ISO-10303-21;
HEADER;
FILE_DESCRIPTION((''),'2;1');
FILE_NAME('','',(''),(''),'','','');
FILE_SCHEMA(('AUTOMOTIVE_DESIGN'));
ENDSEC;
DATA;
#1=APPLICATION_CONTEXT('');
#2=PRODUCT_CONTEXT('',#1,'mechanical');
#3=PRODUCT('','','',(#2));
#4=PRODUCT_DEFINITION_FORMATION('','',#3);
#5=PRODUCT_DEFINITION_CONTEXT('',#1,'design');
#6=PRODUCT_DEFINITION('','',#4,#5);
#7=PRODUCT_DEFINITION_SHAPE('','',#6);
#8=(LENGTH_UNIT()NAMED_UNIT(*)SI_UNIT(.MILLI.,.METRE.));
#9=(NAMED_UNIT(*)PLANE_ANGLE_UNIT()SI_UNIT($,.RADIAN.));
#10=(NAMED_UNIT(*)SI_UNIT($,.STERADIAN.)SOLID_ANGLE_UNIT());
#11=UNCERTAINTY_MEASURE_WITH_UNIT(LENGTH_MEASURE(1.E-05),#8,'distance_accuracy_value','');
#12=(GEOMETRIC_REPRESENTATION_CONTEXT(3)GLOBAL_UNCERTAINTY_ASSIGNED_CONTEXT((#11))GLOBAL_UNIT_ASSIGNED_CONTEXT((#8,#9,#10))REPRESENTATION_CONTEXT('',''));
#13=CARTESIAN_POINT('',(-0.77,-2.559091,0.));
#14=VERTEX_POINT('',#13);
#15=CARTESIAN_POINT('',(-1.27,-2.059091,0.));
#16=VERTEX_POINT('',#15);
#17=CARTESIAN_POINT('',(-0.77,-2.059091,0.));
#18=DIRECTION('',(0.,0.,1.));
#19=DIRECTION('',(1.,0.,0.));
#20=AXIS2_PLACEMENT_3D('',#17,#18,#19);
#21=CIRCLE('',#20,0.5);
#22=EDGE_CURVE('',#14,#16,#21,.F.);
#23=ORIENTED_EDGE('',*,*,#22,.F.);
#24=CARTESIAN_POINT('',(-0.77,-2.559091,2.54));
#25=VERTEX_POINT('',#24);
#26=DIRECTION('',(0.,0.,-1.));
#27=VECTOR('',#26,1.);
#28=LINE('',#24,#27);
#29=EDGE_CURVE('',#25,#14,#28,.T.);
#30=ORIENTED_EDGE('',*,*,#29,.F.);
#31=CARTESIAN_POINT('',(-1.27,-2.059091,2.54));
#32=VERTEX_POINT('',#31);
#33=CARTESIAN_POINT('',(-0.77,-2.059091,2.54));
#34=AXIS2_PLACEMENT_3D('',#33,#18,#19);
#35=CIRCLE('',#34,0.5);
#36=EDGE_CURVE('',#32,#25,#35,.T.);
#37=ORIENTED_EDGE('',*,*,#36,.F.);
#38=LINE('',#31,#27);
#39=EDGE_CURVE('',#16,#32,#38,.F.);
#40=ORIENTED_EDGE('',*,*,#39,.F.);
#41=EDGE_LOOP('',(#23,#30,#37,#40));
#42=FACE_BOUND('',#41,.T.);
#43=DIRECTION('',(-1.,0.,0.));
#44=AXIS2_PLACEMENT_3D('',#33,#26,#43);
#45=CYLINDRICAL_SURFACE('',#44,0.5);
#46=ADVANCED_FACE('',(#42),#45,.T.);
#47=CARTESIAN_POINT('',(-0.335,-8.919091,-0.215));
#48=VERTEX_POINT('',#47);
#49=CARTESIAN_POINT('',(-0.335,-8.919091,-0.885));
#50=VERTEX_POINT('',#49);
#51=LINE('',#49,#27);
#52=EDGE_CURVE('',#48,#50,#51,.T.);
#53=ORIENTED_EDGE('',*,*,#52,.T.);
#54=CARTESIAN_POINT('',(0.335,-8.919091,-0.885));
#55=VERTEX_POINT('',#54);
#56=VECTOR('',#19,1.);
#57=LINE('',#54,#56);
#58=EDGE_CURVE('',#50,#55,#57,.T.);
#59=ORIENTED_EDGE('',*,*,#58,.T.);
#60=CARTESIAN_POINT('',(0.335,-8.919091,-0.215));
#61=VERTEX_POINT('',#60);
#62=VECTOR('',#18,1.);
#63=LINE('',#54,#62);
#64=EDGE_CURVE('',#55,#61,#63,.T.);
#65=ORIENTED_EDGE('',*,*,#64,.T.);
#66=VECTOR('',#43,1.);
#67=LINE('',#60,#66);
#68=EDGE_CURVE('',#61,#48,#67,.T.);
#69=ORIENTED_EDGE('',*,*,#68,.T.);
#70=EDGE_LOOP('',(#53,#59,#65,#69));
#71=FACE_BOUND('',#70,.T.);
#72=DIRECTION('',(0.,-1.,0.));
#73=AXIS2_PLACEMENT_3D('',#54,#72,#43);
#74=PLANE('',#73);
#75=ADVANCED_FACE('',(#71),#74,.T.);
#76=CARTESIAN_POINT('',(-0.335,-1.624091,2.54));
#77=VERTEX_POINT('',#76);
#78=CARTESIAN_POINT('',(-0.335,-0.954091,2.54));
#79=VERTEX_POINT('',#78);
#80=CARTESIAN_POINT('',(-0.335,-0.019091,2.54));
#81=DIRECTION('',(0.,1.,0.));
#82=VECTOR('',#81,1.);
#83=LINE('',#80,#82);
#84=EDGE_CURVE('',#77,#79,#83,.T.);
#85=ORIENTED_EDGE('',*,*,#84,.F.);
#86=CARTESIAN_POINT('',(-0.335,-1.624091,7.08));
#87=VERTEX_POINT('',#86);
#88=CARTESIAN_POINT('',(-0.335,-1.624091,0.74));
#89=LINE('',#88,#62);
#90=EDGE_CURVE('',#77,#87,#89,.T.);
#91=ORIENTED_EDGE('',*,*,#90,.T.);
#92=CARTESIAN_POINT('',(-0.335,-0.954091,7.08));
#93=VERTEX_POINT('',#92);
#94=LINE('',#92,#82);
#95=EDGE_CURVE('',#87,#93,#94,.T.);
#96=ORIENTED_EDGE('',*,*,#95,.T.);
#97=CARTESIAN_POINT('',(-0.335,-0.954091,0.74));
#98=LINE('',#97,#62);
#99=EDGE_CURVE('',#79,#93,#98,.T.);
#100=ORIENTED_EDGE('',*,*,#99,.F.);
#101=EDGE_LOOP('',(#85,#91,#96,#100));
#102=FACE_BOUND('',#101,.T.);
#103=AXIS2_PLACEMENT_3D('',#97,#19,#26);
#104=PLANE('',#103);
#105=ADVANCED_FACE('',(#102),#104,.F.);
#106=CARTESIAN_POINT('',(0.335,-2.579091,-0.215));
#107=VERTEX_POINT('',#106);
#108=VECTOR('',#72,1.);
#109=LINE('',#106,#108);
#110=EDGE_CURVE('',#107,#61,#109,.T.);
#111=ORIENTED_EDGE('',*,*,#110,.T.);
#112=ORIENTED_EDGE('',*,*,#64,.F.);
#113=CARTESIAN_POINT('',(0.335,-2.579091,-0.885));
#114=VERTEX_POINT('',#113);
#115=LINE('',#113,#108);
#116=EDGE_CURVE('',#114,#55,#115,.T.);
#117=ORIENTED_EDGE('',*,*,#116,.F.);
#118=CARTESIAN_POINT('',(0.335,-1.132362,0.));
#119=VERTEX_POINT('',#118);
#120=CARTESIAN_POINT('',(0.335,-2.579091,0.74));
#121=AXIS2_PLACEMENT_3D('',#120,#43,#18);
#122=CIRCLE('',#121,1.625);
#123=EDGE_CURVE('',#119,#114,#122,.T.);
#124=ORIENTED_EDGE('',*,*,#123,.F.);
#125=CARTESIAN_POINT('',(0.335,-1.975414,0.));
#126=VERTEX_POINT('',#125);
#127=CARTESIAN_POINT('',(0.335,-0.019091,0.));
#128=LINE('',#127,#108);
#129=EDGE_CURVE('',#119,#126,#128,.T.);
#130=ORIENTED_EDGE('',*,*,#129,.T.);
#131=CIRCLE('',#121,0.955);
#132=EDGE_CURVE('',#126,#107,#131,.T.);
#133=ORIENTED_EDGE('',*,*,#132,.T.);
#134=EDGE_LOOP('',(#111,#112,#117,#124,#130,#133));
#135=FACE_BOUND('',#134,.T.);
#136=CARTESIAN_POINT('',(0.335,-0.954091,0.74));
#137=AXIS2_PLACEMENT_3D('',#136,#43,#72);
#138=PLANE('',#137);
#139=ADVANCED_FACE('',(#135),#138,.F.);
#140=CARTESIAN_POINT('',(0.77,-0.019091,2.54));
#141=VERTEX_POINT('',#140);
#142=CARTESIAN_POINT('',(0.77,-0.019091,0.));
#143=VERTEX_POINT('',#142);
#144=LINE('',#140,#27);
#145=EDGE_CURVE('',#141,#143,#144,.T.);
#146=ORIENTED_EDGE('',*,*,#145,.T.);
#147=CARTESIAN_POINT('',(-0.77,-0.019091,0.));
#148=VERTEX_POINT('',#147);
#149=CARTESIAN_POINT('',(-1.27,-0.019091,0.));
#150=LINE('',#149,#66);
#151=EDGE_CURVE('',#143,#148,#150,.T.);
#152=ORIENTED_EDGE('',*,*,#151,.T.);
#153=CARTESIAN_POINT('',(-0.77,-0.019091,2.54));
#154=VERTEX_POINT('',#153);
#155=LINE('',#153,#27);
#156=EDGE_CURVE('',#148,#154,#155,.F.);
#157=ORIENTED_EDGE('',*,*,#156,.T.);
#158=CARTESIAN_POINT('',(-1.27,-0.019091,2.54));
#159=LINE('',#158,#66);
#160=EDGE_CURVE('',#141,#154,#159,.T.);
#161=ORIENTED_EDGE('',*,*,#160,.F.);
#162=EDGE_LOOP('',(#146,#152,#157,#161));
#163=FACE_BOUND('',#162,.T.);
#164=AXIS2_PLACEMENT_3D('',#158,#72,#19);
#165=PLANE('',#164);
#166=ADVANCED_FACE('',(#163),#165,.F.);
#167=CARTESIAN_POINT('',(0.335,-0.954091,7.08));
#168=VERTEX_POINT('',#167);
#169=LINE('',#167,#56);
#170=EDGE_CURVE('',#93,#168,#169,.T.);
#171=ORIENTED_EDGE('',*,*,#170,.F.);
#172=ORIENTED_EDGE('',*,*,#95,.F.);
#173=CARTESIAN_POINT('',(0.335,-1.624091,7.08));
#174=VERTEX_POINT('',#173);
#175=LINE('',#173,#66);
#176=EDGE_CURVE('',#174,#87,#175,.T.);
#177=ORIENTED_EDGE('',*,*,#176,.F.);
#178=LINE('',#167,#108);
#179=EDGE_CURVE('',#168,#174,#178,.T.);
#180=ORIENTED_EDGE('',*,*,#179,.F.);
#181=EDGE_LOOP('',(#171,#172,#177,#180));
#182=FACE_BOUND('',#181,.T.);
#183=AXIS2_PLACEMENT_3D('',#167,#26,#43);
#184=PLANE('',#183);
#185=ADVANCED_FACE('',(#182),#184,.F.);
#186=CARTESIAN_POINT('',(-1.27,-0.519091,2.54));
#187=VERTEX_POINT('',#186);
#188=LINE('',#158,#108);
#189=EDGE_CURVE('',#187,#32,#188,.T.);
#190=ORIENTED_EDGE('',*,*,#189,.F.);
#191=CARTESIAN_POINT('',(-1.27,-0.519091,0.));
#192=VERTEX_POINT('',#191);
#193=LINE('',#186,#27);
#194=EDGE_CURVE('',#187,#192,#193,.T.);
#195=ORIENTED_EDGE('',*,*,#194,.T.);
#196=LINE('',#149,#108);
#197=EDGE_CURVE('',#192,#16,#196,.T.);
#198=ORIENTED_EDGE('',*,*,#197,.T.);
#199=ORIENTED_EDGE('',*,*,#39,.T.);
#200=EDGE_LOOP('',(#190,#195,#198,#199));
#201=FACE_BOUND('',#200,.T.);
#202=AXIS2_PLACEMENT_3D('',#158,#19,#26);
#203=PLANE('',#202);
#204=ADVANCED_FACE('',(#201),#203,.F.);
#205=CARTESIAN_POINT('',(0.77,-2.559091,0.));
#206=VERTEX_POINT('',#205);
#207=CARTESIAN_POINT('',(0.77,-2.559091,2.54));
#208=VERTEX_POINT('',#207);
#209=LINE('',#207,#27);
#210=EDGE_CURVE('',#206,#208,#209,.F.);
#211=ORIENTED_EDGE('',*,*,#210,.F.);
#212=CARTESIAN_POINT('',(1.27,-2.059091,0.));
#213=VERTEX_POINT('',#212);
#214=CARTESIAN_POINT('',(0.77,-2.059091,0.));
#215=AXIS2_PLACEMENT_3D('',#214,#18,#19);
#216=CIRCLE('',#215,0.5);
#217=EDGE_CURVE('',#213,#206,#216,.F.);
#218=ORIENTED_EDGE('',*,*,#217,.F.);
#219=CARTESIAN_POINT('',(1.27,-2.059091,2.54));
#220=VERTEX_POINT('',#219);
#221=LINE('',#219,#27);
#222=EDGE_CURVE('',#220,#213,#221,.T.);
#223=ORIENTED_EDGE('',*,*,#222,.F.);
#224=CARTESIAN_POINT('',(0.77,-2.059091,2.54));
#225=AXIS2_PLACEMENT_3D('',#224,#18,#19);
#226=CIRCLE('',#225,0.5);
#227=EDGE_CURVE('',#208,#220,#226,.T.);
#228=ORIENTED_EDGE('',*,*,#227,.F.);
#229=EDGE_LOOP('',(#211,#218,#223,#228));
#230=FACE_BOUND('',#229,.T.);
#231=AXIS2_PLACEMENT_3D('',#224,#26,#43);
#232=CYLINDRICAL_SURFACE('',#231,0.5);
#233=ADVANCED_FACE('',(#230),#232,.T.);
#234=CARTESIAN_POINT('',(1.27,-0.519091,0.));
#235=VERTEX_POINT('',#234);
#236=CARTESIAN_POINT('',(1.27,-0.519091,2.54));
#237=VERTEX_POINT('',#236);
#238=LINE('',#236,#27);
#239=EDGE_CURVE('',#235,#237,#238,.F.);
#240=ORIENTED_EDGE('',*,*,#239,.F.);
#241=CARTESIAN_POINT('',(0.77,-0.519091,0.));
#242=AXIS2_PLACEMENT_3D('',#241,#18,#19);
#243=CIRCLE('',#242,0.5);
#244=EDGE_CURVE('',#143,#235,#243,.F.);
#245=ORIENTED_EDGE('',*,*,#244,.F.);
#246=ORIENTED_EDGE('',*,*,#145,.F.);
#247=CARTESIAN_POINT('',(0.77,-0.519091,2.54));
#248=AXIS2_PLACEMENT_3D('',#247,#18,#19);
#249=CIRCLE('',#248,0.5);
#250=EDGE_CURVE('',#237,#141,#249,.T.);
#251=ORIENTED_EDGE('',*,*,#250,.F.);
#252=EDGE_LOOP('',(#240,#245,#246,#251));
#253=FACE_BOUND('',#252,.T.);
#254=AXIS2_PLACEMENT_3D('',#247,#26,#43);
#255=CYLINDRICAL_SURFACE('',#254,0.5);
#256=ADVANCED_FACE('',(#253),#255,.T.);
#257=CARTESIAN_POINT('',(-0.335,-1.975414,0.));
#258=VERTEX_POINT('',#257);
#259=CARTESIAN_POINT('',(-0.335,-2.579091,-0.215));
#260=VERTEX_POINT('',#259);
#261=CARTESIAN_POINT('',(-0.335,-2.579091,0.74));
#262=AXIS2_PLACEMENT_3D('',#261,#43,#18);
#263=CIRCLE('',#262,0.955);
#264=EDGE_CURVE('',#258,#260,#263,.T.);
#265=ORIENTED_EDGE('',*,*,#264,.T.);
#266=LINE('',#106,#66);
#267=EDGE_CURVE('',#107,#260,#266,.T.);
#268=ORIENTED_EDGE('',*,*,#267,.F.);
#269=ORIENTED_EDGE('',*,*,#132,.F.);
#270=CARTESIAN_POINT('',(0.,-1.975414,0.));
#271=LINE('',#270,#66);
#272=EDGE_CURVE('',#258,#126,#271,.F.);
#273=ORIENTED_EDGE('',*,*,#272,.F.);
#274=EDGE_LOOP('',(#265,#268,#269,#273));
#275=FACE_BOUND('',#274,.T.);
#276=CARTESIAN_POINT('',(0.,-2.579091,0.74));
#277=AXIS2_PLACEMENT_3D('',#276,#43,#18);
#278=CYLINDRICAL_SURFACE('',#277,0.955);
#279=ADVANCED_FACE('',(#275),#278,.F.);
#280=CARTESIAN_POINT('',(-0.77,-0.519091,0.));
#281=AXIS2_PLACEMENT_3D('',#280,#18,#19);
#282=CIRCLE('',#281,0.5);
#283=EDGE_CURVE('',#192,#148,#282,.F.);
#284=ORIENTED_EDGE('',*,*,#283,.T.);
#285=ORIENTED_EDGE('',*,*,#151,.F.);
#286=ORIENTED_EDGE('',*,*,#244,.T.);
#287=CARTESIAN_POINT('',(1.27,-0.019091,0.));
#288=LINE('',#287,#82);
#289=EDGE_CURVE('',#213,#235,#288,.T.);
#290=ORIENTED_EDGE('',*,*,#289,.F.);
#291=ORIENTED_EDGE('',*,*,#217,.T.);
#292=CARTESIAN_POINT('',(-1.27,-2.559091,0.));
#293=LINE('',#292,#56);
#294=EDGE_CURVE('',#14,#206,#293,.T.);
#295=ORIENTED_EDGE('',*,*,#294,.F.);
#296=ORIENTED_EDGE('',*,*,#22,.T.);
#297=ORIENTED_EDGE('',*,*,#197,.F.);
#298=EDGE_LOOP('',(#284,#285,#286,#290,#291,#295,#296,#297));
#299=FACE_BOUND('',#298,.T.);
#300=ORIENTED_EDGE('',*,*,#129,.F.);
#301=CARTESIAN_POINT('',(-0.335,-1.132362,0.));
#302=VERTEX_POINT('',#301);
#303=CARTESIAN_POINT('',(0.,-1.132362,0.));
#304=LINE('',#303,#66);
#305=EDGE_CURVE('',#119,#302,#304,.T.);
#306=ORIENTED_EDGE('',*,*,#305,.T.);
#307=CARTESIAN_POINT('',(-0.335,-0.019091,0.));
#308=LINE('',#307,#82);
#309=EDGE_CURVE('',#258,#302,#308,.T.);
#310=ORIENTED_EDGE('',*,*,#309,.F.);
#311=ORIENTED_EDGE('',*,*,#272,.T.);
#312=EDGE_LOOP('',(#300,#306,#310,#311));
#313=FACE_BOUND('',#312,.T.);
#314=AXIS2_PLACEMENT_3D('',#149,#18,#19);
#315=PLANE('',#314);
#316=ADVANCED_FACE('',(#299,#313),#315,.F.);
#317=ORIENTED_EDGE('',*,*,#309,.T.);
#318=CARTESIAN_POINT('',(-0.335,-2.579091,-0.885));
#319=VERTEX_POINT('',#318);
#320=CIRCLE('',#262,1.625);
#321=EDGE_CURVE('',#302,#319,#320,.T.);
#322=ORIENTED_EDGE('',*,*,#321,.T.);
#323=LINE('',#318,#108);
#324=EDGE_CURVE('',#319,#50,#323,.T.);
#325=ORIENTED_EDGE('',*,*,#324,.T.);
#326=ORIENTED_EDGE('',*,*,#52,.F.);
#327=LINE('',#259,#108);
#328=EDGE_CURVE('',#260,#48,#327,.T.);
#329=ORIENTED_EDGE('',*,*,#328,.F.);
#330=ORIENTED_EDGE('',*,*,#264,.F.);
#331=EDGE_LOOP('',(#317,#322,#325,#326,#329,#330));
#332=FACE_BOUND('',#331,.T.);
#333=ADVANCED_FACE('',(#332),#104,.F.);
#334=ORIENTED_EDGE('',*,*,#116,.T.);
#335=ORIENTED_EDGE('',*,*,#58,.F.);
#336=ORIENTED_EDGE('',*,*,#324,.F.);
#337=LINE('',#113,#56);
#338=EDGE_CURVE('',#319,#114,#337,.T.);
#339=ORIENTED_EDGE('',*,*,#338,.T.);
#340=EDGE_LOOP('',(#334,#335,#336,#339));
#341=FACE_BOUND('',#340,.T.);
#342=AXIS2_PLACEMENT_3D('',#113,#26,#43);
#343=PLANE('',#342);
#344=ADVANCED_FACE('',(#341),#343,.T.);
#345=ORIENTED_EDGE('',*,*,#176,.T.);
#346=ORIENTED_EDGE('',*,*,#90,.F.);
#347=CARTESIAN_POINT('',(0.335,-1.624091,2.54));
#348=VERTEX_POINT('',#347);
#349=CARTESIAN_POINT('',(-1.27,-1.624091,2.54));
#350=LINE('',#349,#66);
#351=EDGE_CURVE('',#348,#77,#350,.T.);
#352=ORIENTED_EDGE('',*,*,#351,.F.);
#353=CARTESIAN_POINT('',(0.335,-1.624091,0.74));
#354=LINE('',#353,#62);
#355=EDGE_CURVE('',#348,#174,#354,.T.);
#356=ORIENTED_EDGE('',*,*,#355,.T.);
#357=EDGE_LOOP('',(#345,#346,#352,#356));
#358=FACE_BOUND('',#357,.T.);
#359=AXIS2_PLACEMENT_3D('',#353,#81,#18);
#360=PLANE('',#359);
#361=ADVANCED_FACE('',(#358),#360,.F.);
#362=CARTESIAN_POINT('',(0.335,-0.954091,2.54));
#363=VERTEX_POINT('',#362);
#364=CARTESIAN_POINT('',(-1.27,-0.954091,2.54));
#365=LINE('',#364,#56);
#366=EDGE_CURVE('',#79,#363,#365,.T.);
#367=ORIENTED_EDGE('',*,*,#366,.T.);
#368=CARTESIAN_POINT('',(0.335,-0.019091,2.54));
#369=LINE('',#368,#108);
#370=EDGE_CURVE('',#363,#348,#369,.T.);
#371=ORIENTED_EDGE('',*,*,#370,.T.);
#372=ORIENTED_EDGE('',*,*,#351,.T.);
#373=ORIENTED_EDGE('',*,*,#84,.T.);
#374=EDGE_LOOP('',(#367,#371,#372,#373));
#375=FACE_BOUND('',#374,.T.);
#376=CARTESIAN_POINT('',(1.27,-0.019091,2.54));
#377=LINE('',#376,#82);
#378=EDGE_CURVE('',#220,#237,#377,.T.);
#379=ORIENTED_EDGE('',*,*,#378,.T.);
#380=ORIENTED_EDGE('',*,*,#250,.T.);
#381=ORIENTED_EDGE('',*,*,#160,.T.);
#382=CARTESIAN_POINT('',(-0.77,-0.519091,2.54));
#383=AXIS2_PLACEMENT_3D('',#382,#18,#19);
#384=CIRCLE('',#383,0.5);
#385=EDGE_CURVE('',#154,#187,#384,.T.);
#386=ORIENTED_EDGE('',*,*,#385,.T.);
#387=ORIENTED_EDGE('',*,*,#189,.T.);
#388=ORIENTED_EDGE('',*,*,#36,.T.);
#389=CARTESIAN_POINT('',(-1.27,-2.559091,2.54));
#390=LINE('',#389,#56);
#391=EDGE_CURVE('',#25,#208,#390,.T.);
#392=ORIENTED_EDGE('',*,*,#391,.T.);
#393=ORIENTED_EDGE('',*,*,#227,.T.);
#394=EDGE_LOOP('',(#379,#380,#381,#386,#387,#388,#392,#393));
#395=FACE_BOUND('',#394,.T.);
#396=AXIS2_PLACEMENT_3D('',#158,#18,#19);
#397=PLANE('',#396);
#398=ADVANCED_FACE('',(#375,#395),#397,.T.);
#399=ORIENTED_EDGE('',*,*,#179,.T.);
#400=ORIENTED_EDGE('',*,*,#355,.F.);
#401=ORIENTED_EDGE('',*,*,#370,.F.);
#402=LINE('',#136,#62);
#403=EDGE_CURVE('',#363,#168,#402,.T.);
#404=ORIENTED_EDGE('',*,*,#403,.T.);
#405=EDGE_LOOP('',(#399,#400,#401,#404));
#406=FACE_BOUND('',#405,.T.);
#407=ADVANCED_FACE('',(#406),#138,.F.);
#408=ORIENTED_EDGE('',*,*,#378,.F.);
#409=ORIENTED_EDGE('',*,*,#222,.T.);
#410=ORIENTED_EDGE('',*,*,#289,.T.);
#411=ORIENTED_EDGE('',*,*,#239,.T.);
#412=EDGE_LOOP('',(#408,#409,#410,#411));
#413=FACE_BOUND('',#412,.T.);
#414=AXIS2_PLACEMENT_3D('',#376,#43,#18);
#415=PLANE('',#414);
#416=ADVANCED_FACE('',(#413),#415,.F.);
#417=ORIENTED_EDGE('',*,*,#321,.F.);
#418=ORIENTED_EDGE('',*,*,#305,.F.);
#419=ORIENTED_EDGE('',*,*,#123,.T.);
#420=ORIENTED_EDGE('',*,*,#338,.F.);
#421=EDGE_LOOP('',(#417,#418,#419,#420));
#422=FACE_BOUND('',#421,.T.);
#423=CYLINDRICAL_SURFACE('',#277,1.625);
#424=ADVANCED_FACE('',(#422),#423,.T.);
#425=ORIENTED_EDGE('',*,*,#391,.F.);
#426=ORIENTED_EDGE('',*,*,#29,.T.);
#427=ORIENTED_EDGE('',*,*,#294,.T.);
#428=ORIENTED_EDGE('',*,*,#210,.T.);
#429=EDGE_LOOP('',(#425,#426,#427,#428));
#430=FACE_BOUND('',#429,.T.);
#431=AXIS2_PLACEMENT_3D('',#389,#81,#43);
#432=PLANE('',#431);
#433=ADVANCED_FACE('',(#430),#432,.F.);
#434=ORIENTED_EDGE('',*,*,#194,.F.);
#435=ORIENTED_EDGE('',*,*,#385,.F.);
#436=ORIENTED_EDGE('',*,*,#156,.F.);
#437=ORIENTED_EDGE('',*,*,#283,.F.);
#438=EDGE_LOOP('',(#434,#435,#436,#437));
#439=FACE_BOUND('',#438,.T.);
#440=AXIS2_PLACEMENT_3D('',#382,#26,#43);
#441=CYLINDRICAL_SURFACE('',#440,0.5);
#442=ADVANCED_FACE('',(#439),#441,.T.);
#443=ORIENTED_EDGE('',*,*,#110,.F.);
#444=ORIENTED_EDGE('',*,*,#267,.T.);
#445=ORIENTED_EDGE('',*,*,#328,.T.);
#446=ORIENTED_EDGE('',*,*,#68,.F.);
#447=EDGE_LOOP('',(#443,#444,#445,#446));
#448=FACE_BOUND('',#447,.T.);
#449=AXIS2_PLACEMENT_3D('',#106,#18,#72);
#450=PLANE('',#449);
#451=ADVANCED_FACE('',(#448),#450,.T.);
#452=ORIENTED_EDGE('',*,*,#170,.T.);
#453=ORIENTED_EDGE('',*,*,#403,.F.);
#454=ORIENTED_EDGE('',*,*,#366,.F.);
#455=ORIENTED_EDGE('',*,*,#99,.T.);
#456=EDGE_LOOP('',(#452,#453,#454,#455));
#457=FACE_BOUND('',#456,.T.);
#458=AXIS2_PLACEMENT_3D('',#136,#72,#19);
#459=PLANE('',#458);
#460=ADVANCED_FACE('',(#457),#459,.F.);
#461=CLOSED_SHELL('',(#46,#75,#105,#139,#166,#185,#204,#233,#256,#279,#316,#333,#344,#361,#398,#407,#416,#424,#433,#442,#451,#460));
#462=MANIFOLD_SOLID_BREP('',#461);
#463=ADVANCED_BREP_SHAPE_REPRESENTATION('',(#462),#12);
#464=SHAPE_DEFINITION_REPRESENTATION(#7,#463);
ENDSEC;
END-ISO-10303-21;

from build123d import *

# Parameters (mm, degrees)
SKETCH_1_W      = 2.54
SKETCH_1_H      = 2.54
EXTRUDE_1_DEPTH = 2.54
SKETCH_2_W      = 0.67
SKETCH_2_H      = 0.67
FILLET_1_R      = 0.5


with BuildPart() as part:
    # 草图1 → 拉伸1 (new body)
    with BuildSketch(Plane.XY):
        with Locations((0, -1.289090726)):
            Rectangle(SKETCH_1_W, SKETCH_1_H)
    extrude(amount=EXTRUDE_1_DEPTH)

    # 扫描1: sweep along a path in 草图3
    with BuildLine(Plane(origin=(0, 0, 0), x_dir=(0, 0, -1), z_dir=(1, 0, 0))) as sweep_1_path:
        Line((-7.08, -1.299090726), (-0.74, -1.299090726))
        ThreePointArc((-0.74, -1.299090726), (0.16509668, -1.673994046), (0.54, -2.579090726))
        Line((0.54, -2.579090726), (0.54, -8.919090726))
    # 草图2 → 扫描1 (sweep)
    with BuildSketch(Plane(origin=(0, 0, 7.08), x_dir=(-1, 0, 0), z_dir=(0, 0, -1))):
        with Locations((0, -1.289090726)):
            Rectangle(SKETCH_2_W, SKETCH_2_H)
    sweep(path=sweep_1_path.line)

    # 圆角1
    fillet_1_edges = [part.edges().sort_by_distance(p)[0] for p in [
        (-1.27, -0.019090726, 1.27),
        (1.27, -0.019090726, 1.27),
        (1.27, -2.559090726, 1.27),
        (-1.27, -2.559090726, 1.27),
    ]]
    fillet(fillet_1_edges, radius=FILLET_1_R)


solid = part.part
